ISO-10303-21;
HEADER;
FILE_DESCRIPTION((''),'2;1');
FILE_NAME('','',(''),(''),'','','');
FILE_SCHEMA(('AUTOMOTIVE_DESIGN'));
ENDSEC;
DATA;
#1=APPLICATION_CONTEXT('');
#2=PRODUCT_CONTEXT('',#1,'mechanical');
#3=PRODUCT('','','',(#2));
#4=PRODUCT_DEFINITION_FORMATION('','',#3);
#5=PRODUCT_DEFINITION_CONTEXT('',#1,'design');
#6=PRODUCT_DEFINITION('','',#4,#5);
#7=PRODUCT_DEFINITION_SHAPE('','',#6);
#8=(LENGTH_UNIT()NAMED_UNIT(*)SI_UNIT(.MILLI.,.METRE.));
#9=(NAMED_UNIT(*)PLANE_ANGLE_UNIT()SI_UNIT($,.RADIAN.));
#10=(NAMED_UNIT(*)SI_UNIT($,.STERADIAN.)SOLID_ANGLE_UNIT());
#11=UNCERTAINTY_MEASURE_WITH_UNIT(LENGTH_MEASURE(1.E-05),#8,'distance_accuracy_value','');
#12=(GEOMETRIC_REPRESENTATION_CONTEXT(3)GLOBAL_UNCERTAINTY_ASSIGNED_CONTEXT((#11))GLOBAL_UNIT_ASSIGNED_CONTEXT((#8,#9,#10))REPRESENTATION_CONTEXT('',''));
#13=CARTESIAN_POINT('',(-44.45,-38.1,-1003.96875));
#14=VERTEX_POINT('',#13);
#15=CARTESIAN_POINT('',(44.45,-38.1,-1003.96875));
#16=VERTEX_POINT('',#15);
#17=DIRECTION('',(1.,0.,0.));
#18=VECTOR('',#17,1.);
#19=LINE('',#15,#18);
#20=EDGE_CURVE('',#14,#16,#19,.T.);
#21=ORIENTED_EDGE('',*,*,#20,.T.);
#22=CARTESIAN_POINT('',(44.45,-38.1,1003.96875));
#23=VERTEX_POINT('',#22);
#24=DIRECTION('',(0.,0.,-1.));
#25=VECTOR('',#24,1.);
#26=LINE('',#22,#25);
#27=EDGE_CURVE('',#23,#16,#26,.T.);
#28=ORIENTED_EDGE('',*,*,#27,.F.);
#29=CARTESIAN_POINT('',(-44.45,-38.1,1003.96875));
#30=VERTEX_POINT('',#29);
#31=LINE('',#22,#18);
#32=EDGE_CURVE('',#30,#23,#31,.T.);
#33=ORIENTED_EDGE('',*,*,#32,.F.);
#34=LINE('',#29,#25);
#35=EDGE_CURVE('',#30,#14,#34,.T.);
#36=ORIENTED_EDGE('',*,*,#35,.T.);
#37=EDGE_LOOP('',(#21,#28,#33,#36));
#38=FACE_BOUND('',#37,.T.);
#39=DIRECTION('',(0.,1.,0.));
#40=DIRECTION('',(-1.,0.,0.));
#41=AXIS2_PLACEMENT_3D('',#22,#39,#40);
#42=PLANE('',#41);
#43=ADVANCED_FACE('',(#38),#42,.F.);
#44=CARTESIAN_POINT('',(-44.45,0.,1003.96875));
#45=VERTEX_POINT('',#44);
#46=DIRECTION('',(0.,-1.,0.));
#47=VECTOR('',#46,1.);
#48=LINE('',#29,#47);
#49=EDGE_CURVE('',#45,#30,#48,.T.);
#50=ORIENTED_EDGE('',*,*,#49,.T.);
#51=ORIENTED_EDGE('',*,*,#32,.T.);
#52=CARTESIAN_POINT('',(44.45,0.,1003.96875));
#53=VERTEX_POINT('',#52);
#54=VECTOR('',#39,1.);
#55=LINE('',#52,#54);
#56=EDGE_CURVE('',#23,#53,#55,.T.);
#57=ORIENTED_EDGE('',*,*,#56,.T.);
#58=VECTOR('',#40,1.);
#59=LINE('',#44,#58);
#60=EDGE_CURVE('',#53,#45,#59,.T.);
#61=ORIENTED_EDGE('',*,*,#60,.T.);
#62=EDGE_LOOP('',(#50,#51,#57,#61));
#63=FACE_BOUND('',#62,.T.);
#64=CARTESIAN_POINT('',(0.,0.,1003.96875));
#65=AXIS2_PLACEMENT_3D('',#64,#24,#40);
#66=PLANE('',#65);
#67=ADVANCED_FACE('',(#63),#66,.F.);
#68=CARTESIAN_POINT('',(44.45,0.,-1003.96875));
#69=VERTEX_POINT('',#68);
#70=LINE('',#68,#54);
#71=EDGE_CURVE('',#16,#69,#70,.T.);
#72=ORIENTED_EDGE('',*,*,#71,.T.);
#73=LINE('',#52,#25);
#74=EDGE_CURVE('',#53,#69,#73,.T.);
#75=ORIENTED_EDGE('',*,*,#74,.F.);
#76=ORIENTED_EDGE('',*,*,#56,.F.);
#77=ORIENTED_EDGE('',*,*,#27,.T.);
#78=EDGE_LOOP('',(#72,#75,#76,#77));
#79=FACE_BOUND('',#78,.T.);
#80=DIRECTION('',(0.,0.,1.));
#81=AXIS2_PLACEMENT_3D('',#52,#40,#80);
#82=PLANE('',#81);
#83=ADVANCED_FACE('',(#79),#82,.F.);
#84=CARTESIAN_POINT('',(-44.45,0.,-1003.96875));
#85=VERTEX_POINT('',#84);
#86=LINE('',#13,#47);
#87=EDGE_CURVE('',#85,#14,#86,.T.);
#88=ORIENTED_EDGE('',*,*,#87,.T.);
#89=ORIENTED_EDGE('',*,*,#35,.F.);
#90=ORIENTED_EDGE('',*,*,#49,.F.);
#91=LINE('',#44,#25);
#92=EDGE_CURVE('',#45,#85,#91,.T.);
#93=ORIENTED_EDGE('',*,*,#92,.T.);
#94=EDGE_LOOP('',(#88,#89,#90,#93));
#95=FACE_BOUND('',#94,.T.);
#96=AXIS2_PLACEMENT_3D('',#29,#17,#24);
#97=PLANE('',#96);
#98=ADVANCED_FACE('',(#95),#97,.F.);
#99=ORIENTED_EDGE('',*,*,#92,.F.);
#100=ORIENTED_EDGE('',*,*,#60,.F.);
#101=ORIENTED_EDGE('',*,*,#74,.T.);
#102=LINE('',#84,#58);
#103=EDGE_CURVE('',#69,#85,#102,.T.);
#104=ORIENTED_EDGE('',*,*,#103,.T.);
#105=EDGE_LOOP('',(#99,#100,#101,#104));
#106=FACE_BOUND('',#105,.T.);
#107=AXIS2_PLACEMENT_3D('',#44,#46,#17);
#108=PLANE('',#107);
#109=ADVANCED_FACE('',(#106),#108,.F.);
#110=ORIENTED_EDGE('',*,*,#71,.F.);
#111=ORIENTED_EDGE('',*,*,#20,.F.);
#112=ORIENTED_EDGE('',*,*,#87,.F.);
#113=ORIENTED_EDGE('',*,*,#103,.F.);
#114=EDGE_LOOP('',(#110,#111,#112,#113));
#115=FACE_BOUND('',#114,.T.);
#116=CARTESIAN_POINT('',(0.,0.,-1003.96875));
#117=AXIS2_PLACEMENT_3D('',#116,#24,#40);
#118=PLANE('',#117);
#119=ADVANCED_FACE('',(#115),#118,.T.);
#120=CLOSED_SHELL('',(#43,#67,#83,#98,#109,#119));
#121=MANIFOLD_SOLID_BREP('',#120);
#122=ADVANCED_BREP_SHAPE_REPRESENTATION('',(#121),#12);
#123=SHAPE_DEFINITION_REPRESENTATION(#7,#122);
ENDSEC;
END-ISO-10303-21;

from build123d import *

# Parameters (mm, degrees)
SKETCH1_W           = 88.9
SKETCH1_H           = 38.1
BOSS_EXTRUDE1_DEPTH = 1003.968750123


with BuildPart() as part:
    # Sketch1 → Boss-Extrude1 (new body, symmetric)
    with BuildSketch(Plane.XY):
        with Locations((0, -19.05)):
            Rectangle(SKETCH1_W, SKETCH1_H)
    extrude(amount=BOSS_EXTRUDE1_DEPTH, both=True)


solid = part.part
